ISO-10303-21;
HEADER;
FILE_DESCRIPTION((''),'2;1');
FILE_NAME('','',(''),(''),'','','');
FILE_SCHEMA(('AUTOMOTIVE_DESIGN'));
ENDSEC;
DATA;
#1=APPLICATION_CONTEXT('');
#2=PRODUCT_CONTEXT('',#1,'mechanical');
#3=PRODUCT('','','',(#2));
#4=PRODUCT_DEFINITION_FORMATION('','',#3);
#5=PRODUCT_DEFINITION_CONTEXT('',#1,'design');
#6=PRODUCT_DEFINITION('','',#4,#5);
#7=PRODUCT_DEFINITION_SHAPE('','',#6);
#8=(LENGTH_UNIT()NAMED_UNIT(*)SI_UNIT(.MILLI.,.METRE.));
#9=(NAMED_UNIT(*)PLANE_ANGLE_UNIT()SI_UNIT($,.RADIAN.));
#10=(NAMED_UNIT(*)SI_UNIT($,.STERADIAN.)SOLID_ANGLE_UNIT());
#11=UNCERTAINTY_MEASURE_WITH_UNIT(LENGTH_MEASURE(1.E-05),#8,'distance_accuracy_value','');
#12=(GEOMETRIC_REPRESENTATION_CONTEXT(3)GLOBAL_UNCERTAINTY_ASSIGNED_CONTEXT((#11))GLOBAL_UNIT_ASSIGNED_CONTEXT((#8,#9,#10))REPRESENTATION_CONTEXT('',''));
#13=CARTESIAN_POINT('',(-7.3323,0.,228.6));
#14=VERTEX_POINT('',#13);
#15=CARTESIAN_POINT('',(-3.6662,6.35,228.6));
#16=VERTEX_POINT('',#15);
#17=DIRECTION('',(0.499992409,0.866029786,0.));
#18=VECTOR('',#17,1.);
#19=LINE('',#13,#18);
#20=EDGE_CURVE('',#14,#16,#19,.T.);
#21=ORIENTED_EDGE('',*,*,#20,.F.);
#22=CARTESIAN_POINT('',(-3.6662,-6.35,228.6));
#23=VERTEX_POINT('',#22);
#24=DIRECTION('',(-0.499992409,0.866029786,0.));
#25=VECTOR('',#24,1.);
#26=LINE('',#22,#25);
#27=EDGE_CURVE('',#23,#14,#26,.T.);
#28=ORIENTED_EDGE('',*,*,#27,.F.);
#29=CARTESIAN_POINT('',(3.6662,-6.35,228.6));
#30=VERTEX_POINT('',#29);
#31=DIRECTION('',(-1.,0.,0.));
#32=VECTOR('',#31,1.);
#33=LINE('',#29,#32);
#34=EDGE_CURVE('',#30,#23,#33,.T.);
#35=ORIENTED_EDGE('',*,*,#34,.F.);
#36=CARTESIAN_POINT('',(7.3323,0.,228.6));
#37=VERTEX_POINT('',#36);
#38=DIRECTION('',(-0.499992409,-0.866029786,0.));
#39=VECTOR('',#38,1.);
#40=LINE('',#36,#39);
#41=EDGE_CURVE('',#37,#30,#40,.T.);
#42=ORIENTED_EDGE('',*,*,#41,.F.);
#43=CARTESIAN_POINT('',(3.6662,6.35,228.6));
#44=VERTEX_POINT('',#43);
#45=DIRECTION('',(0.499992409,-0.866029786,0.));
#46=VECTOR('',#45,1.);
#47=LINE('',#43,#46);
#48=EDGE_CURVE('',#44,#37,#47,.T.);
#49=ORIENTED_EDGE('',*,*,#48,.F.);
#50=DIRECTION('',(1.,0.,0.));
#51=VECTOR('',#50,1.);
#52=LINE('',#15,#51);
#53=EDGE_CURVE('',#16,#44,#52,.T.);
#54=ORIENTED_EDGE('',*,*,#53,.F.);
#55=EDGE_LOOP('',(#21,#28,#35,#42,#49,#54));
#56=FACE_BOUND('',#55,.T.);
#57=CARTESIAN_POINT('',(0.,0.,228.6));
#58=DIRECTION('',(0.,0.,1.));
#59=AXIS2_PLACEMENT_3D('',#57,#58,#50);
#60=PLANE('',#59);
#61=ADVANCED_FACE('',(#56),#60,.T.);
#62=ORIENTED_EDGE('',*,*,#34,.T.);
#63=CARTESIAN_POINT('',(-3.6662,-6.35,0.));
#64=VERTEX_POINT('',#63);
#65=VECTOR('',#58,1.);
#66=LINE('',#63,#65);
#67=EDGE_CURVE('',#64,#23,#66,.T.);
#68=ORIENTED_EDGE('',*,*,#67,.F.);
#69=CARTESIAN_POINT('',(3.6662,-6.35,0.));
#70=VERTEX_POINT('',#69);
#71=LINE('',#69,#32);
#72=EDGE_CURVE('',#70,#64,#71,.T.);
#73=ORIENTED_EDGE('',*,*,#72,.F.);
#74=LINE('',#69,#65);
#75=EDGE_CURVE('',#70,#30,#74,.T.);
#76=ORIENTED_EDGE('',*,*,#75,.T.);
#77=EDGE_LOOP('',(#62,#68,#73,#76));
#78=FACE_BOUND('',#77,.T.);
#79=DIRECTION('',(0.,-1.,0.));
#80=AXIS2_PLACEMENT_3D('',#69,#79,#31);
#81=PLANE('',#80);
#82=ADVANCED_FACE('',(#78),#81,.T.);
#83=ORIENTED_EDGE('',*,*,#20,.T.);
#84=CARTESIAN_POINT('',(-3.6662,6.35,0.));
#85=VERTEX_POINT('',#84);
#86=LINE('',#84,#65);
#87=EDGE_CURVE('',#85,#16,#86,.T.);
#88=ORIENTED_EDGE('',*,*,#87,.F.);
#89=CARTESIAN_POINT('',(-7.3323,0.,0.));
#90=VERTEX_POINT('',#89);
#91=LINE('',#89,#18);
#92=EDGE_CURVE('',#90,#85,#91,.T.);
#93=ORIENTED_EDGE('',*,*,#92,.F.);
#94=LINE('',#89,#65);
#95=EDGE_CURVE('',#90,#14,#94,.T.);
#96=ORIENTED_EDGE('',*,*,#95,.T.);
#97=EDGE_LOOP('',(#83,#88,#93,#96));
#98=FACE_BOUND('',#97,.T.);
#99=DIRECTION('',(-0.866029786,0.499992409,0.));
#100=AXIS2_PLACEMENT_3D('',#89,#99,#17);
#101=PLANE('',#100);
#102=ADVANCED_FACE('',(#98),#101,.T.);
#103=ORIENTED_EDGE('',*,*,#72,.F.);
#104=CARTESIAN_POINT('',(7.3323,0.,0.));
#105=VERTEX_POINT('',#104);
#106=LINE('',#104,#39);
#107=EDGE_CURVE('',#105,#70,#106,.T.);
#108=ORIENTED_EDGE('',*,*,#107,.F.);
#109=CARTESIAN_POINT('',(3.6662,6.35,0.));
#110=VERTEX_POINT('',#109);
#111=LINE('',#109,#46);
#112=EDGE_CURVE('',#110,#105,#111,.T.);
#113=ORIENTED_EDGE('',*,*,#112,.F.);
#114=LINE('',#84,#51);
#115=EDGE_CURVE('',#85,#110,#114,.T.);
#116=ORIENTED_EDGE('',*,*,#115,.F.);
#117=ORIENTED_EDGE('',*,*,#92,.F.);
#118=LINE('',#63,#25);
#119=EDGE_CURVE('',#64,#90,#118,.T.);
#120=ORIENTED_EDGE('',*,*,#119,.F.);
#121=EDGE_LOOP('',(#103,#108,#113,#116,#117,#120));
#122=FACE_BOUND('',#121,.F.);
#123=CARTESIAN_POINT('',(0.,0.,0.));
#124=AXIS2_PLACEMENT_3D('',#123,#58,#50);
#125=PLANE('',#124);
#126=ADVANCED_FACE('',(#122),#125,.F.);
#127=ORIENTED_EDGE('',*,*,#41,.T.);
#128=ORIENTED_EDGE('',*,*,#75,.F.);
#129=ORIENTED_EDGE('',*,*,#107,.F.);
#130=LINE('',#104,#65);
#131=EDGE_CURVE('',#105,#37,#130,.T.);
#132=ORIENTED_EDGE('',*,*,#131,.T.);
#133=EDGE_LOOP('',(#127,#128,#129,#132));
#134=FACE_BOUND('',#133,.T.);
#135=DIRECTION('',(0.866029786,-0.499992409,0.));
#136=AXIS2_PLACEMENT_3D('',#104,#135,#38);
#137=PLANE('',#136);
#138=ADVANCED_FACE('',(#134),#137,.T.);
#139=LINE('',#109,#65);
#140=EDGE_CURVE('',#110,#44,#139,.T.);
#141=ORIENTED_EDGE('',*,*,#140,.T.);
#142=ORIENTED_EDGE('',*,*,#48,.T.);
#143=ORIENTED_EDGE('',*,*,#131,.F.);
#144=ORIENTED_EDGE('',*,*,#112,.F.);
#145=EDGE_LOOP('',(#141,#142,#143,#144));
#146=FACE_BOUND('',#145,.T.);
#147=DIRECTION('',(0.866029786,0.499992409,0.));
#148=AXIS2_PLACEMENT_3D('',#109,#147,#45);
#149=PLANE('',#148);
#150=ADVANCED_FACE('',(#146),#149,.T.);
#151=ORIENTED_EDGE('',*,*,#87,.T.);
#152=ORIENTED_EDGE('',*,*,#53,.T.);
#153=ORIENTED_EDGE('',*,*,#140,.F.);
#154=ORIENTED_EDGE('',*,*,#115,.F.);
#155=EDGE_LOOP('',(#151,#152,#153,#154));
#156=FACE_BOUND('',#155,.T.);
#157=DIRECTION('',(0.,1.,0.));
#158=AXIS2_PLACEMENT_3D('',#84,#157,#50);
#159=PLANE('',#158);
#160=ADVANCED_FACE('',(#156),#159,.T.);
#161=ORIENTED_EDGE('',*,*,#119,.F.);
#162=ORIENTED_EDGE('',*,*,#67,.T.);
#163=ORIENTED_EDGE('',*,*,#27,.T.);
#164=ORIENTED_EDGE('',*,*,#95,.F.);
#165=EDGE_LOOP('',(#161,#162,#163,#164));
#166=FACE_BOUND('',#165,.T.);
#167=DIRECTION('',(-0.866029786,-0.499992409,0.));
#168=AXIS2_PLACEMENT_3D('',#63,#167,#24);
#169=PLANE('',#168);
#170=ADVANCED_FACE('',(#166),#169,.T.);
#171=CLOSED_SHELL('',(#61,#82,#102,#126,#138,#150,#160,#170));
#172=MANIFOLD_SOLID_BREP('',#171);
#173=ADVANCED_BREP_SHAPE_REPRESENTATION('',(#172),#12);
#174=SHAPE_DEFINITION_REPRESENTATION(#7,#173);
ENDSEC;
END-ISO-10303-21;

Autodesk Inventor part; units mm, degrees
ref_plane "YZ Plane" through (0, 0, 0) normal (1, 0, 0) x (0, 1, 0)
ref_plane "XZ Plane" through (0, 0, 0) normal (0, 1, 0) x (-1, 0, 0)
ref_plane "XY Plane" through (0, 0, 0) normal (0, 0, 1) x (1, 0, 0)
sketch "Sketch1" plane through (0, 0, 0) normal (0, 0, 1) x (1, 0, 0)
  line L0 (3.6662, 6.35) -> (7.3323, 0)
  line L1 (7.3323, 0) -> (3.6662, -6.35)
  line L2 (3.6662, -6.35) -> (-3.6662, -6.35)
  line L3 (-3.6662, -6.35) -> (-7.3323, 0)
  line L4 (-7.3323, 0) -> (-3.6662, 6.35)
  line L5 (-3.6662, 6.35) -> (3.6662, 6.35)
  point P0 (0, 0)
  point P1 (0, 0)
  dimension "d0" = 12.7
extrude "Extrusion1" add sketch "Sketch1" along normal blind 228.6
ref_plane "Work Plane1" through (-3.6662, -6.35, 0) normal (-0.866, 0.5, 0) x (0, 0, 1)
ref_plane "Work Plane2" through (-7.3323, 0, 0) normal (0, 1, 0) x (0, 0, 1)
properties part number "Steel Shaft" material "Steel"
